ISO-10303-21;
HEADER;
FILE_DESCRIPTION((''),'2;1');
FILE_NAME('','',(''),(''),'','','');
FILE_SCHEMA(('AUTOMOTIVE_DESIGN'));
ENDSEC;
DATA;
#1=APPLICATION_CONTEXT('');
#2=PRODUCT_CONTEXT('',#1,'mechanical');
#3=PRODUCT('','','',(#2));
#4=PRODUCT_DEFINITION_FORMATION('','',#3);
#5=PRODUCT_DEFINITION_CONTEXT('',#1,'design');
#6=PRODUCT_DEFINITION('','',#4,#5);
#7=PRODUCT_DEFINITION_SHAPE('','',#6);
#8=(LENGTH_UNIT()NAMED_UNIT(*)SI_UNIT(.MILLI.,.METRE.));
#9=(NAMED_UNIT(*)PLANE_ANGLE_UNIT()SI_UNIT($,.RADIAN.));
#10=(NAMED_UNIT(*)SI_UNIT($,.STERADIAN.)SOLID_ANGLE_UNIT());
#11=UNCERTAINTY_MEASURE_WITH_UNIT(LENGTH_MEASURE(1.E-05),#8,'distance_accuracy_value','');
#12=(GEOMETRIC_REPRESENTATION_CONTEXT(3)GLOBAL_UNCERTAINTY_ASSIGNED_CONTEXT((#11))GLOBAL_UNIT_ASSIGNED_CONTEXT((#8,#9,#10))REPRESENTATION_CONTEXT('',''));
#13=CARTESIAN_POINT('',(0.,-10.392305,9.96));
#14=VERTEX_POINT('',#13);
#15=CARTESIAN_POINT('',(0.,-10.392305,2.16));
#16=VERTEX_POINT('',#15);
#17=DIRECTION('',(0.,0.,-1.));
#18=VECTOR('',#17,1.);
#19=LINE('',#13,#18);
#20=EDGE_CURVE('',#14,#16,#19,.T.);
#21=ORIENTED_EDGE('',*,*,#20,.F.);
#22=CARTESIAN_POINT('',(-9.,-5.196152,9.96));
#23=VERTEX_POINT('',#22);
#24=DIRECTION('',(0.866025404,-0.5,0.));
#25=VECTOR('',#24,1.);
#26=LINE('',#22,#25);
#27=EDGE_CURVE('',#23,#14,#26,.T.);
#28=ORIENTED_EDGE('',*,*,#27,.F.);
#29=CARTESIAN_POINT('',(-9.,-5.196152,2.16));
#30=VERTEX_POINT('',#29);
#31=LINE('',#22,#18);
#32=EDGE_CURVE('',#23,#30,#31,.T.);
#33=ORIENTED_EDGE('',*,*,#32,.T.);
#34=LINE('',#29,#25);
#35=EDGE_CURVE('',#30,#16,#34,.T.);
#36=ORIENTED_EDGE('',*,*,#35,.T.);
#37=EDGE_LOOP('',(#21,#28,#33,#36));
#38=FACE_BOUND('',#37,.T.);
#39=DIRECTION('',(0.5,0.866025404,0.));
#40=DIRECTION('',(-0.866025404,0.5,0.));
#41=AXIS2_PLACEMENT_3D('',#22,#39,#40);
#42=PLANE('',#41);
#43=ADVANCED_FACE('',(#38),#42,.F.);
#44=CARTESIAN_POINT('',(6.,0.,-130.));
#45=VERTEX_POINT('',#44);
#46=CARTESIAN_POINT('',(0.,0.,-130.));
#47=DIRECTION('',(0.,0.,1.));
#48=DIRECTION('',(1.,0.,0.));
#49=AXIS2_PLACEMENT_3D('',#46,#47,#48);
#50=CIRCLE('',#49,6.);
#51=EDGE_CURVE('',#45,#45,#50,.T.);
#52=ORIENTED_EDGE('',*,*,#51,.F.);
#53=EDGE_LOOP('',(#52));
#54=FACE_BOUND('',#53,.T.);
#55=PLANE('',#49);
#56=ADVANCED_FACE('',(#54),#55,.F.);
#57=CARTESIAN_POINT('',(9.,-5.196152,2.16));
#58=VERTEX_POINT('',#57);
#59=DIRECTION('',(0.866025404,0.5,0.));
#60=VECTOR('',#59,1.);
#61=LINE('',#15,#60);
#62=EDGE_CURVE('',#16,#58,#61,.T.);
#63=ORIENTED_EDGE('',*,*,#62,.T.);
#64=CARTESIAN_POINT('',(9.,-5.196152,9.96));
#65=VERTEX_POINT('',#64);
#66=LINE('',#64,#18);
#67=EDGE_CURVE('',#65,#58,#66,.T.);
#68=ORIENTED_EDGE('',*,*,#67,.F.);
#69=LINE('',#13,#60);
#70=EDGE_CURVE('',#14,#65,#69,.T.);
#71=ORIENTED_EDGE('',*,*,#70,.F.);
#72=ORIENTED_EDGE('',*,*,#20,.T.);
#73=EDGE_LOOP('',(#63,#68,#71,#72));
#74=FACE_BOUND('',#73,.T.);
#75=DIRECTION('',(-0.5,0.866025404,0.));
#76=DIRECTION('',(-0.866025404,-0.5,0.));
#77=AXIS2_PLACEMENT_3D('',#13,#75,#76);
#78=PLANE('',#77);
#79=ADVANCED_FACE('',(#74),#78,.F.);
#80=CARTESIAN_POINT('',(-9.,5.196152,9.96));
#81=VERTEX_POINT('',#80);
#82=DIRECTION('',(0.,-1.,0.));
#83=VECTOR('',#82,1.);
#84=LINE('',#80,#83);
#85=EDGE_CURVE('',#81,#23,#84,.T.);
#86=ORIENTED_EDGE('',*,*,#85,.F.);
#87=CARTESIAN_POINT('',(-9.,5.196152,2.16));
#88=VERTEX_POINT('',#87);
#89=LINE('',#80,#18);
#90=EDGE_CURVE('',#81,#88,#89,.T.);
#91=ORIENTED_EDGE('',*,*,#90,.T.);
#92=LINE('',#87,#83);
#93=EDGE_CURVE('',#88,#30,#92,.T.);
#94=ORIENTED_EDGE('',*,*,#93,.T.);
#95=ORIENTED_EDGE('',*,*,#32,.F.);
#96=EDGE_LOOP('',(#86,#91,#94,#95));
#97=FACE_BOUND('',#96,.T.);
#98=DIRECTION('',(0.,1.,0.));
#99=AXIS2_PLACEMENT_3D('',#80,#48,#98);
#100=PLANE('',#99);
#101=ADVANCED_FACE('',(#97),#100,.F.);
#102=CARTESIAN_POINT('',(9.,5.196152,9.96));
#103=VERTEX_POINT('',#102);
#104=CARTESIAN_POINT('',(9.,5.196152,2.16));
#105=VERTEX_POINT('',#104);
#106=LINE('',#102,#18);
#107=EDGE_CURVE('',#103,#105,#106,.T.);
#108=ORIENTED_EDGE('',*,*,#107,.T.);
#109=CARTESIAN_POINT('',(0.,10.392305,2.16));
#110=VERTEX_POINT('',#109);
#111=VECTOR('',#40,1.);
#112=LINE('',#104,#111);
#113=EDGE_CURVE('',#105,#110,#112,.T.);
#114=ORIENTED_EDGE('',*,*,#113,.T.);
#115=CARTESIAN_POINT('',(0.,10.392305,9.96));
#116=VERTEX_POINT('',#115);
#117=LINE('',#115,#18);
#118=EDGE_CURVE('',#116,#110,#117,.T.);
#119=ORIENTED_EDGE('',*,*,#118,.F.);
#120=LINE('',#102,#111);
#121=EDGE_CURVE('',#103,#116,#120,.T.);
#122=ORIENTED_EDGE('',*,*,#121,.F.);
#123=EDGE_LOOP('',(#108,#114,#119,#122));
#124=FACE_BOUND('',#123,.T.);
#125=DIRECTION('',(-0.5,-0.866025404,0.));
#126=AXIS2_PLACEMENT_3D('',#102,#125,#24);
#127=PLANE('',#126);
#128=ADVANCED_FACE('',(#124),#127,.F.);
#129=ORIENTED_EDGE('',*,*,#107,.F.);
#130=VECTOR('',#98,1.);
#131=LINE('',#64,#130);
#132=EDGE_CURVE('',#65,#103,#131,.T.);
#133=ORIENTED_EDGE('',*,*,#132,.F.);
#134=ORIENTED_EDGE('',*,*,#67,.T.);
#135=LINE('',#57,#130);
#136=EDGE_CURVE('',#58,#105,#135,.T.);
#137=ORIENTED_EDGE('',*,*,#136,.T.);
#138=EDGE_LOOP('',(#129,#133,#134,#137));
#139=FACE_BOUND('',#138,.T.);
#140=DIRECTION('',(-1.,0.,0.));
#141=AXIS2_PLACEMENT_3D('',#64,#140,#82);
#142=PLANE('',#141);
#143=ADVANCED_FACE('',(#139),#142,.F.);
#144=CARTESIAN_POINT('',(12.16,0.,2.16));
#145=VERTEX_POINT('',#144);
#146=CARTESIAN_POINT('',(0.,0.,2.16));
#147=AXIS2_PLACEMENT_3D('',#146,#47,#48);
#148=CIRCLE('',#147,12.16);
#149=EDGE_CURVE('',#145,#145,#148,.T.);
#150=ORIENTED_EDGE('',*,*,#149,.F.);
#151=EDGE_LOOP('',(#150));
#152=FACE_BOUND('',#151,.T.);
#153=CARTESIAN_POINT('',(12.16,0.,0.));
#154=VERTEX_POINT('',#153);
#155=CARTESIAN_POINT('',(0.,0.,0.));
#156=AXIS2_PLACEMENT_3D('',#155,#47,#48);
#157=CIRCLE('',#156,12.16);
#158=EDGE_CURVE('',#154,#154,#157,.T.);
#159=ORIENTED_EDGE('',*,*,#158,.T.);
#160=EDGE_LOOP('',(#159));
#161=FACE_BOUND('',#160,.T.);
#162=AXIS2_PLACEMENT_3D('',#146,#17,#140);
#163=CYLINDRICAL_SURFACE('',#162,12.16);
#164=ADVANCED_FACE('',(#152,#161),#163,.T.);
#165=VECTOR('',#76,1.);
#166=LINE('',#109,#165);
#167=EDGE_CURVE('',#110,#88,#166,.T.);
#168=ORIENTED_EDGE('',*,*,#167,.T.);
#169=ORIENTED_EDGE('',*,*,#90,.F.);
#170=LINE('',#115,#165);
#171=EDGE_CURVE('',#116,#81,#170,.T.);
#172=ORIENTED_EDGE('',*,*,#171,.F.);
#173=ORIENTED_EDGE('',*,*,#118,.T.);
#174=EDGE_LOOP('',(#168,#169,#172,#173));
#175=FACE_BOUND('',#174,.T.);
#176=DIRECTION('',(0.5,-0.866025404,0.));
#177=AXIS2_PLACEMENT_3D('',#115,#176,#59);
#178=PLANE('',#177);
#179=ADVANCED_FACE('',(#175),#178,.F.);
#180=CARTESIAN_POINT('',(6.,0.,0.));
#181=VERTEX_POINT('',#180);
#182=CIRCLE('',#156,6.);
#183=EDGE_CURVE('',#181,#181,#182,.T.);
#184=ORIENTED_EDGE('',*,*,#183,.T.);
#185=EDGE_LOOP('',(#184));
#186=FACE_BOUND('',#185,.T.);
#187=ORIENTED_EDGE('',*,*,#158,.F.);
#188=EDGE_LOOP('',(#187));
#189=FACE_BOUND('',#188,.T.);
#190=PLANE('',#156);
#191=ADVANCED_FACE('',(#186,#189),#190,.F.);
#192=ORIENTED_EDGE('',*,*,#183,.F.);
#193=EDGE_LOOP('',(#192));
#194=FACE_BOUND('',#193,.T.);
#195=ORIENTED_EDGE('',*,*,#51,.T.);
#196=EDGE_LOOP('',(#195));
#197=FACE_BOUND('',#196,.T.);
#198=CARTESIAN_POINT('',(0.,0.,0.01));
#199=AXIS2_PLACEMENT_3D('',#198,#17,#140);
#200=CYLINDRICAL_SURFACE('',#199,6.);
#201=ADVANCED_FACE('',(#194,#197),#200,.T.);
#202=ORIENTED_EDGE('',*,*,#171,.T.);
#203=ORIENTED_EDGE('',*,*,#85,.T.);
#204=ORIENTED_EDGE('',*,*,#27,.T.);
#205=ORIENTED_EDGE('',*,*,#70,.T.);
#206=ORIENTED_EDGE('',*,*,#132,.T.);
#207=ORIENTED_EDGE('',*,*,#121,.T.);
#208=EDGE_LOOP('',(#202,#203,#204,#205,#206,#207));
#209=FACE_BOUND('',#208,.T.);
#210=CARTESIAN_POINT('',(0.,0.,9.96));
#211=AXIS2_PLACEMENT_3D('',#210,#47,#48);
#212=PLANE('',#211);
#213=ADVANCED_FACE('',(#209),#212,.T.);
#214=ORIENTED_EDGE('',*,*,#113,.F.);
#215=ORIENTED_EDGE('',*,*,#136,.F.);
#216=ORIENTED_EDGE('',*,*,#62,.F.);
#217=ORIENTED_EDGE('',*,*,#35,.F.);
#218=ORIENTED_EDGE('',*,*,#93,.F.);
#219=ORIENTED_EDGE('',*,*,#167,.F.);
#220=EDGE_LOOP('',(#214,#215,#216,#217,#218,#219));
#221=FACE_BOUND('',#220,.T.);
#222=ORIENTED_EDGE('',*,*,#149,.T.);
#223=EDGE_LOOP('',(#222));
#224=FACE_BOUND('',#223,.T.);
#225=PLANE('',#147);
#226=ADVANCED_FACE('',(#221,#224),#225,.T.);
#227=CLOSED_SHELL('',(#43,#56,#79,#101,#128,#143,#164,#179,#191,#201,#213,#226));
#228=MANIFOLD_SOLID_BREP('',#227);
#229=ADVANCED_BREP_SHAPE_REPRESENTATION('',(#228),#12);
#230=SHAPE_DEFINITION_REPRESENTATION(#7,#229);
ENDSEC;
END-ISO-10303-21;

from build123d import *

# Parameters (mm, degrees)
EXTRUDE_SKETCH_1_R = 12.16
EXTRUDE_1_DEPTH    = 2.16
EXTRUDE_START      = 2.16
EXTRUDE_2_DEPTH    = 7.8
EXTRUDE_START_2    = -130
EXTRUDE_SKETCH_3_R = 6
EXTRUDE_3_DEPTH    = 130.01


with BuildPart() as part:
    # Extrude sketch 1 → Extrude 1 (new body)
    with BuildSketch(Plane.XY):
        Circle(EXTRUDE_SKETCH_1_R)
    extrude(amount=EXTRUDE_1_DEPTH)


with BuildPart() as body_2:
    # Extrude sketch 2 → Extrude 2 (new body)
    with BuildSketch(Plane.XY.offset(EXTRUDE_START)):
        Polygon((9, 5.196152423), (0, 10.392304845), (-9, 5.196152423), (-9, -5.196152423), (0, -10.392304845), (9, -5.196152423), align=None)
    extrude(amount=EXTRUDE_2_DEPTH)


with BuildPart() as body_3:
    # Extrude sketch 3 → Extrude 3 (new body)
    with BuildSketch(Plane.XY.offset(EXTRUDE_START_2)):
        Circle(EXTRUDE_SKETCH_3_R)
    extrude(amount=EXTRUDE_3_DEPTH)

    # Combine (weld / assembly of features): union body 2, part
    add(body_2.part)
    add(part.part)


solid = body_3.part
